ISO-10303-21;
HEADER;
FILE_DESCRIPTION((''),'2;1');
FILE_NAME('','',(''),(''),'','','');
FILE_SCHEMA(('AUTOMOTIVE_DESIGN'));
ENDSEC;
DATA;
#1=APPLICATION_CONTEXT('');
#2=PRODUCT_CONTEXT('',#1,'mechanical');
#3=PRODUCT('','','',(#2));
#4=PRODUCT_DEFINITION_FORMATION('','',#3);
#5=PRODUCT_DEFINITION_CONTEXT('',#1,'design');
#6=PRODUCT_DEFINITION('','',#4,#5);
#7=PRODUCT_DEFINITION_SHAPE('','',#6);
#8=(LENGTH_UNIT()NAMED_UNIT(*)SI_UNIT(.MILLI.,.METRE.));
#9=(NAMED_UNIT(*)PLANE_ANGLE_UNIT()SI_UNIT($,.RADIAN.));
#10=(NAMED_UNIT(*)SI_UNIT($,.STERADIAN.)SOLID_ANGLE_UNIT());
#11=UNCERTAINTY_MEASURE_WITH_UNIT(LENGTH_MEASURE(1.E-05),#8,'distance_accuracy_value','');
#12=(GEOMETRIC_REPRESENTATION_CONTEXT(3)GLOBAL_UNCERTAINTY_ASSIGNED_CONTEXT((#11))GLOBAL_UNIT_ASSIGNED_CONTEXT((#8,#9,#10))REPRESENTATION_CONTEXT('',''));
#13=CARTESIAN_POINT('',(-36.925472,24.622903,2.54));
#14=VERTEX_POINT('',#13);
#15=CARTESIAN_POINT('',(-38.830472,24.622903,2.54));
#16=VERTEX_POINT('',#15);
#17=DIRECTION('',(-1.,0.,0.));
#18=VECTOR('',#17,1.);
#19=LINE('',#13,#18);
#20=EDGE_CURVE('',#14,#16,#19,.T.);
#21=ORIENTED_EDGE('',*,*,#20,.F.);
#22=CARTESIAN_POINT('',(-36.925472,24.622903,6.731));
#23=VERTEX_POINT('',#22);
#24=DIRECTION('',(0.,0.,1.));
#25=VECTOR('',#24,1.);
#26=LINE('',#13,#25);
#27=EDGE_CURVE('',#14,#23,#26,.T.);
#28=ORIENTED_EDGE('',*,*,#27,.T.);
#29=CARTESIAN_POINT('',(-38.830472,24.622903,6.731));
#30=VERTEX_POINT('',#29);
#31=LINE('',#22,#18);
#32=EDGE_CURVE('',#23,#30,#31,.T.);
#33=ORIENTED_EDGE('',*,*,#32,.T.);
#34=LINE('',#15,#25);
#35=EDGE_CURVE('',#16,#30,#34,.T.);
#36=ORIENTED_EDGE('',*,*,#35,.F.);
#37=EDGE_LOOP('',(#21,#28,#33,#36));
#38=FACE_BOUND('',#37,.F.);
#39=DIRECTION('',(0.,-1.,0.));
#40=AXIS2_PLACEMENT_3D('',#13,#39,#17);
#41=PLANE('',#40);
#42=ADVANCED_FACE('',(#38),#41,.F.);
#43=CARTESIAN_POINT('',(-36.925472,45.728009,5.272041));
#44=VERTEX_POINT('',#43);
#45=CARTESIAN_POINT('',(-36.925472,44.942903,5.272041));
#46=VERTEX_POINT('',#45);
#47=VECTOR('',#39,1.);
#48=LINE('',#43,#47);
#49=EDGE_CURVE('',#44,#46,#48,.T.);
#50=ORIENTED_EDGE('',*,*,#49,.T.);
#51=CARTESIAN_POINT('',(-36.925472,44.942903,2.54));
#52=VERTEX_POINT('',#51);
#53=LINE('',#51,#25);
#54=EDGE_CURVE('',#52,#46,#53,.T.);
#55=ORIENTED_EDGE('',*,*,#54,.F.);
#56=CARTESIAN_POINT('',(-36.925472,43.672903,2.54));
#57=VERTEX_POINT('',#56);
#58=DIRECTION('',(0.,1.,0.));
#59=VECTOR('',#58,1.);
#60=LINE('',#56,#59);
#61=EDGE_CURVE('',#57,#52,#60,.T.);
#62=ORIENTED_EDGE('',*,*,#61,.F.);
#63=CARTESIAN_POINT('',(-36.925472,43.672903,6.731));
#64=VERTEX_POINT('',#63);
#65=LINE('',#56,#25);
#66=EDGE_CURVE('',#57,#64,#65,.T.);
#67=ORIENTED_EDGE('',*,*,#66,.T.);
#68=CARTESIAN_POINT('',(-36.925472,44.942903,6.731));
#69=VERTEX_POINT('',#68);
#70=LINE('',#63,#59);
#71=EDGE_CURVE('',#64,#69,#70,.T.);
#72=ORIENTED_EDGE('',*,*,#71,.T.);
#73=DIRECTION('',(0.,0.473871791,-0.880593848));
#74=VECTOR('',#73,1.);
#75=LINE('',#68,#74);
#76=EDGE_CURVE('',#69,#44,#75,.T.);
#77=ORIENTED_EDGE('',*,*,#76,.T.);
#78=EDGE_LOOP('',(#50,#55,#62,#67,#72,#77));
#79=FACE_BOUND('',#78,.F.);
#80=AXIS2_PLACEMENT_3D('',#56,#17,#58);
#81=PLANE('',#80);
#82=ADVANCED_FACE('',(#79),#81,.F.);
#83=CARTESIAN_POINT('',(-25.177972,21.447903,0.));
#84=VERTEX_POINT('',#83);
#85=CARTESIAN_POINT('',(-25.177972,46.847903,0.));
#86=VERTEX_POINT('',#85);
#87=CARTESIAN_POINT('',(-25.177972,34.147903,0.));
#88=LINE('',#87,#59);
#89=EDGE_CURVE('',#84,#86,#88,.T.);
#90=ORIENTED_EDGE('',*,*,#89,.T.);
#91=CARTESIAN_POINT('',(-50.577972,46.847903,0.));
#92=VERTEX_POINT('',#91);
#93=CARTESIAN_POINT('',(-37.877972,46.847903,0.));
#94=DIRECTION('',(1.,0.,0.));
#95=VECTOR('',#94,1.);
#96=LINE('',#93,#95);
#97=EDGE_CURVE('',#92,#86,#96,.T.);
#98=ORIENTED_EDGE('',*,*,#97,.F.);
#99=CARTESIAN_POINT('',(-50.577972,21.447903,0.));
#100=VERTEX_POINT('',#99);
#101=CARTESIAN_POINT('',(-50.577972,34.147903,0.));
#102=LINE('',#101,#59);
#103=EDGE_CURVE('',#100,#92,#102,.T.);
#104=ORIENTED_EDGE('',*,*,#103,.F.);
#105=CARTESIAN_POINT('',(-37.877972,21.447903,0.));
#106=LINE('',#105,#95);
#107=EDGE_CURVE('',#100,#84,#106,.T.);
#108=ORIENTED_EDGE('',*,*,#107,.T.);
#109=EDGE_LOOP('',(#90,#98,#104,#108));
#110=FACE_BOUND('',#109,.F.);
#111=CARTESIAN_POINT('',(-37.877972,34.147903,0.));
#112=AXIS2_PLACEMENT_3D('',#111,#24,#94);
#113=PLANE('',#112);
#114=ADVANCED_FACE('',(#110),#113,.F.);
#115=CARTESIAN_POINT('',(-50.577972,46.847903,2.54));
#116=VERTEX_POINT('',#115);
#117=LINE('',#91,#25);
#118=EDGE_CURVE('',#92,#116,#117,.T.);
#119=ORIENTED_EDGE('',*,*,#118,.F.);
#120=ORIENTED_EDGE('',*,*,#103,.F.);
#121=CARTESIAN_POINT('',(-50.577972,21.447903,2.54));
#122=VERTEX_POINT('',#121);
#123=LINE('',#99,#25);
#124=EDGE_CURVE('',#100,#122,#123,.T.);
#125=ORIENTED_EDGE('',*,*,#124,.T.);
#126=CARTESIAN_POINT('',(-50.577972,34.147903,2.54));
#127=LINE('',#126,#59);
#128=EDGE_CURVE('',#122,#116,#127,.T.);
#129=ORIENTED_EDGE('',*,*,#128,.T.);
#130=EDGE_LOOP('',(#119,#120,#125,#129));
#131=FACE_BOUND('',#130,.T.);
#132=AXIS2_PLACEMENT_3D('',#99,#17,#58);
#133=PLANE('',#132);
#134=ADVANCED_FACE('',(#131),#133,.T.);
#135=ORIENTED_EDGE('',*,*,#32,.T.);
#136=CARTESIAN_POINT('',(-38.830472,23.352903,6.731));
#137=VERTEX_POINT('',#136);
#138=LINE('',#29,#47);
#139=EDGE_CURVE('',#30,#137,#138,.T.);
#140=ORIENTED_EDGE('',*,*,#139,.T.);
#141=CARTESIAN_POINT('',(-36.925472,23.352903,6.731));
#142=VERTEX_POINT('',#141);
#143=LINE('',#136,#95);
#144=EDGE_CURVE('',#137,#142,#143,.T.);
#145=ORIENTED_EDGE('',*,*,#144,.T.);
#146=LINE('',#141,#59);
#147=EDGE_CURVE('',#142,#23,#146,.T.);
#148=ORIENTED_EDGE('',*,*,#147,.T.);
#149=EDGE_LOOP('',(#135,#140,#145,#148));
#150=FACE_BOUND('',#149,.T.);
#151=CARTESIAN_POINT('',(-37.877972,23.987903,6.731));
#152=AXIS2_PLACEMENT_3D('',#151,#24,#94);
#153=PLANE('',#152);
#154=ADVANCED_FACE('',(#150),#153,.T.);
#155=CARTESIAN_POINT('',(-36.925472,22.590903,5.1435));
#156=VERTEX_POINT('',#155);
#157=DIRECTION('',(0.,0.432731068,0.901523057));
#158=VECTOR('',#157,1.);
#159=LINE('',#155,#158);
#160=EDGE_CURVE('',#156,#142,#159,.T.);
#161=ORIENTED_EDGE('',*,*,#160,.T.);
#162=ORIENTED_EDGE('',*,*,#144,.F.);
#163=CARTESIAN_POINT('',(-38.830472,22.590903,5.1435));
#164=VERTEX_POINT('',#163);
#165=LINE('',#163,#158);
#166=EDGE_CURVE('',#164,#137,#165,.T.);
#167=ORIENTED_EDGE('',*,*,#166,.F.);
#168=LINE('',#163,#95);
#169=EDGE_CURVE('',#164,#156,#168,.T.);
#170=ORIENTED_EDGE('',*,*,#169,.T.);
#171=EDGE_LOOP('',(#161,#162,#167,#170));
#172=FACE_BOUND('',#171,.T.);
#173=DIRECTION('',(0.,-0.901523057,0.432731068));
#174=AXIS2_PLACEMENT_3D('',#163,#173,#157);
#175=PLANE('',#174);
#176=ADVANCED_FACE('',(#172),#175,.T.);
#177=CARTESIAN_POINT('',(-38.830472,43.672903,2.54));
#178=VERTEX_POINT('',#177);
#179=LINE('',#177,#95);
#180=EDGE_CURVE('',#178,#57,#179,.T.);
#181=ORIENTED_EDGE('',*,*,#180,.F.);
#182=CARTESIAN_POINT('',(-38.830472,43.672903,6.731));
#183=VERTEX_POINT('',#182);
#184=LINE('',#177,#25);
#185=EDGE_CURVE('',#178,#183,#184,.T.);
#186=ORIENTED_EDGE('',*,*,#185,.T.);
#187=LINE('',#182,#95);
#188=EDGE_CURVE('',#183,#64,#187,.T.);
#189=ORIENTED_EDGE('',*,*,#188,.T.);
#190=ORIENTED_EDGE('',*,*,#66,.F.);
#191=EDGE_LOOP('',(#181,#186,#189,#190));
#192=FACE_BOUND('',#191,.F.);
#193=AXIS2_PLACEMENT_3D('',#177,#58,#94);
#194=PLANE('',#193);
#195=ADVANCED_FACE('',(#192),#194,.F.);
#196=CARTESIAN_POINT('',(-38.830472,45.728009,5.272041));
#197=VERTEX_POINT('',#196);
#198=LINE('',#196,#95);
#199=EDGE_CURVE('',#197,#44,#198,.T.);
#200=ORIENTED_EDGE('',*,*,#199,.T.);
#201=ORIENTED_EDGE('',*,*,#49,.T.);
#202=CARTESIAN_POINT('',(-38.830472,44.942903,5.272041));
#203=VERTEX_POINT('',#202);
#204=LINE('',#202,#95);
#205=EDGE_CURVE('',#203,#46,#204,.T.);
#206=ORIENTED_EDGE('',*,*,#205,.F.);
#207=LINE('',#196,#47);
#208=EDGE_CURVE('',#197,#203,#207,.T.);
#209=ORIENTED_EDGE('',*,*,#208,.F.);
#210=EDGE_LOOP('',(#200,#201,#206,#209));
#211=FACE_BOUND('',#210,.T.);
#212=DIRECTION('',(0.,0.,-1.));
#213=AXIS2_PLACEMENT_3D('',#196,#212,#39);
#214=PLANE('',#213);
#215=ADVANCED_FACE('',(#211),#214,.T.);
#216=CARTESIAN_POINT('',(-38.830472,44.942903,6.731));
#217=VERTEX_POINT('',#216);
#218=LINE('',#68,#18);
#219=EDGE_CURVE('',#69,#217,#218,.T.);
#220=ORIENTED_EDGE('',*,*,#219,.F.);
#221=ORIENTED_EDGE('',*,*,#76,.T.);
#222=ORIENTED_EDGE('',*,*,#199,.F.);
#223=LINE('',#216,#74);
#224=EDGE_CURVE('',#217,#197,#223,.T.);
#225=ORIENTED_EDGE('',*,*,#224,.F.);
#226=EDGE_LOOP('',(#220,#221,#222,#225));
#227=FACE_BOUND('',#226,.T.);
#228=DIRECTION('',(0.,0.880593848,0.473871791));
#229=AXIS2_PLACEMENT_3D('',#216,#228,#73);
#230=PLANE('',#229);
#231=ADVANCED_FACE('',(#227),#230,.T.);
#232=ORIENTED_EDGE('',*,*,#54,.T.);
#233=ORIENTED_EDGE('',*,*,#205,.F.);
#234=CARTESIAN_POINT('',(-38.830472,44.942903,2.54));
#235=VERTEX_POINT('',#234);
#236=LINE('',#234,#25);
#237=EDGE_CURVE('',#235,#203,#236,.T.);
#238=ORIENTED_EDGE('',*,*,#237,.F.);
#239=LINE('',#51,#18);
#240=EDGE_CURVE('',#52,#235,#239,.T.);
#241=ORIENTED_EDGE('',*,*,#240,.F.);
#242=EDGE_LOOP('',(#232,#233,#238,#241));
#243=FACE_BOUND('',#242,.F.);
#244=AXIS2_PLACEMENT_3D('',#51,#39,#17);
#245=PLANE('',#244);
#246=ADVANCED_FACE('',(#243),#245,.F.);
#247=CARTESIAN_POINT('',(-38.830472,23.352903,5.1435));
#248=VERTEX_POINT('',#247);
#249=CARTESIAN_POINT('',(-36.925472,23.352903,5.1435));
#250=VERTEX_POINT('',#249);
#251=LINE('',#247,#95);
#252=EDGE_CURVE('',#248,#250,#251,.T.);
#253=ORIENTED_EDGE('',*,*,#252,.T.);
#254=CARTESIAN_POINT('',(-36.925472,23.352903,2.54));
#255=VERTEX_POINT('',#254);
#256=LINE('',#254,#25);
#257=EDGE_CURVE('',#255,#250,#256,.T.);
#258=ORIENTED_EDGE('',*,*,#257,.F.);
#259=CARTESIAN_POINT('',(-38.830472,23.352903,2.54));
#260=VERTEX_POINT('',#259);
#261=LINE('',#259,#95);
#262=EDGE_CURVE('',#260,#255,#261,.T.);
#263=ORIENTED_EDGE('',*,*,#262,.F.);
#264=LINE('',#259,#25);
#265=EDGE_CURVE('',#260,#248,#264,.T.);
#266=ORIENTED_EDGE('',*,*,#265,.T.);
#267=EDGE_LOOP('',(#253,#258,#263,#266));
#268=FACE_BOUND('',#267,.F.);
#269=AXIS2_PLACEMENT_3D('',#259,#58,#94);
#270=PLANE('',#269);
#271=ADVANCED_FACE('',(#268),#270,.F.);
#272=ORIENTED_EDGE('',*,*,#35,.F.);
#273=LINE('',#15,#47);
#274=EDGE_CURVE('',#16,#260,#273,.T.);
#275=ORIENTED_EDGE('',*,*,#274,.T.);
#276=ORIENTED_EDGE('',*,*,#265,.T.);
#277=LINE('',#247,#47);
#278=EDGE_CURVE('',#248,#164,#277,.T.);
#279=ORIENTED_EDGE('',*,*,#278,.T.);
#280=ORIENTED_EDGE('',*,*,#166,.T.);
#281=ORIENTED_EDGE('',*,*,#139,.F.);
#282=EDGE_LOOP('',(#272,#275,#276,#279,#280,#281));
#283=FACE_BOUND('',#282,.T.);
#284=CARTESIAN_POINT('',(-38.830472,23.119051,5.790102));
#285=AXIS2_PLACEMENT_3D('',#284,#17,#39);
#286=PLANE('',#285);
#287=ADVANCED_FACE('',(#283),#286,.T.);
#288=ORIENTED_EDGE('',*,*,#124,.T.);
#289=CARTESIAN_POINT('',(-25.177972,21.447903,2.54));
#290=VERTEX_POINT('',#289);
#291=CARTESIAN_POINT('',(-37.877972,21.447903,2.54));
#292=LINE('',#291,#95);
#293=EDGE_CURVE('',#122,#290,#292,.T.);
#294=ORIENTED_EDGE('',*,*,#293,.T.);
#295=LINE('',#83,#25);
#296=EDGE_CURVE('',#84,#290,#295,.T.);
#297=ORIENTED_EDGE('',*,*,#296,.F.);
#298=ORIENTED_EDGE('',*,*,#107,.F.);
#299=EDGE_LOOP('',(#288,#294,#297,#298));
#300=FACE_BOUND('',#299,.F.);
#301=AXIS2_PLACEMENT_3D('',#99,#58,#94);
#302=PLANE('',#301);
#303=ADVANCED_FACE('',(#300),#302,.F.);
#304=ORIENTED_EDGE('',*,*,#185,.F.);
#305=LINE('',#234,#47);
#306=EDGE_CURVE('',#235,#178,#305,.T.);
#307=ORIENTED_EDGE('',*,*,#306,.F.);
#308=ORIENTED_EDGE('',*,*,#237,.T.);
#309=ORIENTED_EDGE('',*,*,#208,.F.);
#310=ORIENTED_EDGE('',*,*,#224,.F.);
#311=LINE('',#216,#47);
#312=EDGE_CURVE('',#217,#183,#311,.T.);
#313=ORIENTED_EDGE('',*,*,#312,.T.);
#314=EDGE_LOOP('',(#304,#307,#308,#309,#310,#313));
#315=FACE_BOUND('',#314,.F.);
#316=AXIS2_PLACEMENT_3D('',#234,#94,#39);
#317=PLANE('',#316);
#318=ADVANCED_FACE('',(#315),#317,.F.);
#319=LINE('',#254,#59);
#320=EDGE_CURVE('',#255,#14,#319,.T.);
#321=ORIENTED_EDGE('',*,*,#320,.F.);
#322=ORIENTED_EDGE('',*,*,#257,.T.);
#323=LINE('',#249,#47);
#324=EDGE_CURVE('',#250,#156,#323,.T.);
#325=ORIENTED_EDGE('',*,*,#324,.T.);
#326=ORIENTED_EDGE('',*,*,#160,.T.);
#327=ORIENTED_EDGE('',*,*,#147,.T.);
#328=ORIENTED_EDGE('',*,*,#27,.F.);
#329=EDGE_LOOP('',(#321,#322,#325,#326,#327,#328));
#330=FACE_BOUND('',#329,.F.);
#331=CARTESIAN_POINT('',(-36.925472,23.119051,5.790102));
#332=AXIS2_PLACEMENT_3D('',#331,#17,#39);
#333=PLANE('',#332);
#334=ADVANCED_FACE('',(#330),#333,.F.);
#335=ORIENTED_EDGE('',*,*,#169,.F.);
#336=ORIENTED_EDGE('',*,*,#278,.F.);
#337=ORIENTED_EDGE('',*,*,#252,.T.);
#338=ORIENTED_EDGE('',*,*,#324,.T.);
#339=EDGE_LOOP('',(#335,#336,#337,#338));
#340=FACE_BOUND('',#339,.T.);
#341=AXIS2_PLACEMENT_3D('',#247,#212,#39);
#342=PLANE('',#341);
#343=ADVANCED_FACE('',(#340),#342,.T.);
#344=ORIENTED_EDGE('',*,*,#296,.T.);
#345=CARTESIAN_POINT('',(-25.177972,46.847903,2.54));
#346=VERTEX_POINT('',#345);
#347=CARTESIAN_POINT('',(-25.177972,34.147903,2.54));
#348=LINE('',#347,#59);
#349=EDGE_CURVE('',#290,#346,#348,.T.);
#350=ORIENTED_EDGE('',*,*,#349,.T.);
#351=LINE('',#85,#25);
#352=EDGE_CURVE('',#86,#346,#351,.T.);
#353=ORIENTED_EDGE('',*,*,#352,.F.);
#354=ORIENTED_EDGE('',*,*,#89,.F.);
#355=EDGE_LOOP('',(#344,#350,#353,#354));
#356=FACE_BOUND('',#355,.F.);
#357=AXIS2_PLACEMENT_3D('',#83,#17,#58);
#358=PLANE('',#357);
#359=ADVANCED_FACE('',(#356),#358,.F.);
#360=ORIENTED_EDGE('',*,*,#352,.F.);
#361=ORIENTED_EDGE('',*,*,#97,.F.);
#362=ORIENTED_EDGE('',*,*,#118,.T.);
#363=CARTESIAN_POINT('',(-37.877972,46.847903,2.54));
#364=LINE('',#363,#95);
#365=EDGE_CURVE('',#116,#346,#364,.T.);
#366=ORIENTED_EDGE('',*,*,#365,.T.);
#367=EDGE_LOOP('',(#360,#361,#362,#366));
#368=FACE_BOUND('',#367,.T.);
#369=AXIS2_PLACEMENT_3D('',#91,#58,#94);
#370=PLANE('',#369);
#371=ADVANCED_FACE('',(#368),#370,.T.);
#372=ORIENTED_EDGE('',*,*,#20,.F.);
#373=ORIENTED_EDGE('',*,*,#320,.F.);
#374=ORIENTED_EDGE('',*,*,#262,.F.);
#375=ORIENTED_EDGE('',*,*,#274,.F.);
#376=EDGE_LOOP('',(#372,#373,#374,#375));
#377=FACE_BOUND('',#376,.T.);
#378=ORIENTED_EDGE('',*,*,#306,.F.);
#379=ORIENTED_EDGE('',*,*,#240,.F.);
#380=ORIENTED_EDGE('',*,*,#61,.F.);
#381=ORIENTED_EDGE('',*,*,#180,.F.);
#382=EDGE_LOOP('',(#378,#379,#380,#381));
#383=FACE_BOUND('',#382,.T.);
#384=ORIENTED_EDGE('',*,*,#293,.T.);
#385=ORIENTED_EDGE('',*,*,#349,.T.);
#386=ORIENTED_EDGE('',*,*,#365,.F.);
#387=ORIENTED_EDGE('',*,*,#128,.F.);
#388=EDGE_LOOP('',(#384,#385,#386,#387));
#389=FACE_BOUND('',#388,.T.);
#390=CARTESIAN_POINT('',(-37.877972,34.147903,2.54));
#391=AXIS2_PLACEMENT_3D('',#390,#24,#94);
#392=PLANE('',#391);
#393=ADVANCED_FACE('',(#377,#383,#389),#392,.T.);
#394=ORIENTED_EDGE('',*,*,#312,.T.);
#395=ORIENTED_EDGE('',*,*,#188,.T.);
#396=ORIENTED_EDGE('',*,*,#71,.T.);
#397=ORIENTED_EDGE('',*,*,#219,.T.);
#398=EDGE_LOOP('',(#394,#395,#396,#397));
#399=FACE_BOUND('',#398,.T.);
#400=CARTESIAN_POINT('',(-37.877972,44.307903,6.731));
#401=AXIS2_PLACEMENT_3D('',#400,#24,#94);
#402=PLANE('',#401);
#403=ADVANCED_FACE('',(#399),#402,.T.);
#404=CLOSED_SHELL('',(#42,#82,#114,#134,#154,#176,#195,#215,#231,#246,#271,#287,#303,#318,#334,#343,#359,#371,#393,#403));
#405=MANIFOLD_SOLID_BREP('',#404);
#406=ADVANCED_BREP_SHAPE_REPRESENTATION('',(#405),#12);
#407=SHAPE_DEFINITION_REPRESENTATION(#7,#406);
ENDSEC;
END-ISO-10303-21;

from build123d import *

# Parameters (mm, degrees)
F0_W     = 25.4
F0_H     = 25.4
F1_DEPTH = 2.54
F3_DEPTH = 4.191
F4_DEPTH = 4.191
F7_DEPTH = 1.905


with BuildPart() as f1:
    # F0 (on Top) → F1 (new body)
    with BuildSketch(Plane.XY):
        with Locations((-37.877972, 34.147903)):
            Rectangle(F0_W, F0_H)
    extrude(amount=F1_DEPTH)

    # F2 (on face) → F3 (join)
    with BuildSketch(Plane.XY.offset(2.54)):
        Polygon((-38.830472, 24.622903), (-38.830472, 24.036821), (-38.830472, 23.352903), (-37.877972, 23.352903), (-36.925472, 23.352903), (-36.925472, 24.622903), align=None)
    extrude(amount=F3_DEPTH)

    # F2 (on face) → F4 (join)
    with BuildSketch(Plane.XY.offset(2.54)):
        Polygon((-36.925472, 44.942903), (-37.877972, 44.942903), (-38.830472, 44.942903), (-38.830472, 44.307903), (-38.830472, 43.672903), (-36.925472, 43.672903), align=None)
    extrude(amount=F4_DEPTH)

    # F6 (on face) + F5 (on face) → F7 (join)
    with BuildSketch(Plane(origin=(-38.830472, 0, 0), x_dir=(0, -1, 0), z_dir=(-1, 0, 0))):
        Polygon((-23.352903, 6.731), (-23.352903, 5.1435), (-22.590903, 5.1435), align=None)
    with BuildSketch(Plane(origin=(-38.830472, 0, 0), x_dir=(0, -1, 0), z_dir=(-1, 0, 0))):
        Polygon((-45.728009, 5.272041), (-44.942903, 5.272041), (-44.942903, 6.731), align=None)
    extrude(amount=-F7_DEPTH)


solid = f1.part
